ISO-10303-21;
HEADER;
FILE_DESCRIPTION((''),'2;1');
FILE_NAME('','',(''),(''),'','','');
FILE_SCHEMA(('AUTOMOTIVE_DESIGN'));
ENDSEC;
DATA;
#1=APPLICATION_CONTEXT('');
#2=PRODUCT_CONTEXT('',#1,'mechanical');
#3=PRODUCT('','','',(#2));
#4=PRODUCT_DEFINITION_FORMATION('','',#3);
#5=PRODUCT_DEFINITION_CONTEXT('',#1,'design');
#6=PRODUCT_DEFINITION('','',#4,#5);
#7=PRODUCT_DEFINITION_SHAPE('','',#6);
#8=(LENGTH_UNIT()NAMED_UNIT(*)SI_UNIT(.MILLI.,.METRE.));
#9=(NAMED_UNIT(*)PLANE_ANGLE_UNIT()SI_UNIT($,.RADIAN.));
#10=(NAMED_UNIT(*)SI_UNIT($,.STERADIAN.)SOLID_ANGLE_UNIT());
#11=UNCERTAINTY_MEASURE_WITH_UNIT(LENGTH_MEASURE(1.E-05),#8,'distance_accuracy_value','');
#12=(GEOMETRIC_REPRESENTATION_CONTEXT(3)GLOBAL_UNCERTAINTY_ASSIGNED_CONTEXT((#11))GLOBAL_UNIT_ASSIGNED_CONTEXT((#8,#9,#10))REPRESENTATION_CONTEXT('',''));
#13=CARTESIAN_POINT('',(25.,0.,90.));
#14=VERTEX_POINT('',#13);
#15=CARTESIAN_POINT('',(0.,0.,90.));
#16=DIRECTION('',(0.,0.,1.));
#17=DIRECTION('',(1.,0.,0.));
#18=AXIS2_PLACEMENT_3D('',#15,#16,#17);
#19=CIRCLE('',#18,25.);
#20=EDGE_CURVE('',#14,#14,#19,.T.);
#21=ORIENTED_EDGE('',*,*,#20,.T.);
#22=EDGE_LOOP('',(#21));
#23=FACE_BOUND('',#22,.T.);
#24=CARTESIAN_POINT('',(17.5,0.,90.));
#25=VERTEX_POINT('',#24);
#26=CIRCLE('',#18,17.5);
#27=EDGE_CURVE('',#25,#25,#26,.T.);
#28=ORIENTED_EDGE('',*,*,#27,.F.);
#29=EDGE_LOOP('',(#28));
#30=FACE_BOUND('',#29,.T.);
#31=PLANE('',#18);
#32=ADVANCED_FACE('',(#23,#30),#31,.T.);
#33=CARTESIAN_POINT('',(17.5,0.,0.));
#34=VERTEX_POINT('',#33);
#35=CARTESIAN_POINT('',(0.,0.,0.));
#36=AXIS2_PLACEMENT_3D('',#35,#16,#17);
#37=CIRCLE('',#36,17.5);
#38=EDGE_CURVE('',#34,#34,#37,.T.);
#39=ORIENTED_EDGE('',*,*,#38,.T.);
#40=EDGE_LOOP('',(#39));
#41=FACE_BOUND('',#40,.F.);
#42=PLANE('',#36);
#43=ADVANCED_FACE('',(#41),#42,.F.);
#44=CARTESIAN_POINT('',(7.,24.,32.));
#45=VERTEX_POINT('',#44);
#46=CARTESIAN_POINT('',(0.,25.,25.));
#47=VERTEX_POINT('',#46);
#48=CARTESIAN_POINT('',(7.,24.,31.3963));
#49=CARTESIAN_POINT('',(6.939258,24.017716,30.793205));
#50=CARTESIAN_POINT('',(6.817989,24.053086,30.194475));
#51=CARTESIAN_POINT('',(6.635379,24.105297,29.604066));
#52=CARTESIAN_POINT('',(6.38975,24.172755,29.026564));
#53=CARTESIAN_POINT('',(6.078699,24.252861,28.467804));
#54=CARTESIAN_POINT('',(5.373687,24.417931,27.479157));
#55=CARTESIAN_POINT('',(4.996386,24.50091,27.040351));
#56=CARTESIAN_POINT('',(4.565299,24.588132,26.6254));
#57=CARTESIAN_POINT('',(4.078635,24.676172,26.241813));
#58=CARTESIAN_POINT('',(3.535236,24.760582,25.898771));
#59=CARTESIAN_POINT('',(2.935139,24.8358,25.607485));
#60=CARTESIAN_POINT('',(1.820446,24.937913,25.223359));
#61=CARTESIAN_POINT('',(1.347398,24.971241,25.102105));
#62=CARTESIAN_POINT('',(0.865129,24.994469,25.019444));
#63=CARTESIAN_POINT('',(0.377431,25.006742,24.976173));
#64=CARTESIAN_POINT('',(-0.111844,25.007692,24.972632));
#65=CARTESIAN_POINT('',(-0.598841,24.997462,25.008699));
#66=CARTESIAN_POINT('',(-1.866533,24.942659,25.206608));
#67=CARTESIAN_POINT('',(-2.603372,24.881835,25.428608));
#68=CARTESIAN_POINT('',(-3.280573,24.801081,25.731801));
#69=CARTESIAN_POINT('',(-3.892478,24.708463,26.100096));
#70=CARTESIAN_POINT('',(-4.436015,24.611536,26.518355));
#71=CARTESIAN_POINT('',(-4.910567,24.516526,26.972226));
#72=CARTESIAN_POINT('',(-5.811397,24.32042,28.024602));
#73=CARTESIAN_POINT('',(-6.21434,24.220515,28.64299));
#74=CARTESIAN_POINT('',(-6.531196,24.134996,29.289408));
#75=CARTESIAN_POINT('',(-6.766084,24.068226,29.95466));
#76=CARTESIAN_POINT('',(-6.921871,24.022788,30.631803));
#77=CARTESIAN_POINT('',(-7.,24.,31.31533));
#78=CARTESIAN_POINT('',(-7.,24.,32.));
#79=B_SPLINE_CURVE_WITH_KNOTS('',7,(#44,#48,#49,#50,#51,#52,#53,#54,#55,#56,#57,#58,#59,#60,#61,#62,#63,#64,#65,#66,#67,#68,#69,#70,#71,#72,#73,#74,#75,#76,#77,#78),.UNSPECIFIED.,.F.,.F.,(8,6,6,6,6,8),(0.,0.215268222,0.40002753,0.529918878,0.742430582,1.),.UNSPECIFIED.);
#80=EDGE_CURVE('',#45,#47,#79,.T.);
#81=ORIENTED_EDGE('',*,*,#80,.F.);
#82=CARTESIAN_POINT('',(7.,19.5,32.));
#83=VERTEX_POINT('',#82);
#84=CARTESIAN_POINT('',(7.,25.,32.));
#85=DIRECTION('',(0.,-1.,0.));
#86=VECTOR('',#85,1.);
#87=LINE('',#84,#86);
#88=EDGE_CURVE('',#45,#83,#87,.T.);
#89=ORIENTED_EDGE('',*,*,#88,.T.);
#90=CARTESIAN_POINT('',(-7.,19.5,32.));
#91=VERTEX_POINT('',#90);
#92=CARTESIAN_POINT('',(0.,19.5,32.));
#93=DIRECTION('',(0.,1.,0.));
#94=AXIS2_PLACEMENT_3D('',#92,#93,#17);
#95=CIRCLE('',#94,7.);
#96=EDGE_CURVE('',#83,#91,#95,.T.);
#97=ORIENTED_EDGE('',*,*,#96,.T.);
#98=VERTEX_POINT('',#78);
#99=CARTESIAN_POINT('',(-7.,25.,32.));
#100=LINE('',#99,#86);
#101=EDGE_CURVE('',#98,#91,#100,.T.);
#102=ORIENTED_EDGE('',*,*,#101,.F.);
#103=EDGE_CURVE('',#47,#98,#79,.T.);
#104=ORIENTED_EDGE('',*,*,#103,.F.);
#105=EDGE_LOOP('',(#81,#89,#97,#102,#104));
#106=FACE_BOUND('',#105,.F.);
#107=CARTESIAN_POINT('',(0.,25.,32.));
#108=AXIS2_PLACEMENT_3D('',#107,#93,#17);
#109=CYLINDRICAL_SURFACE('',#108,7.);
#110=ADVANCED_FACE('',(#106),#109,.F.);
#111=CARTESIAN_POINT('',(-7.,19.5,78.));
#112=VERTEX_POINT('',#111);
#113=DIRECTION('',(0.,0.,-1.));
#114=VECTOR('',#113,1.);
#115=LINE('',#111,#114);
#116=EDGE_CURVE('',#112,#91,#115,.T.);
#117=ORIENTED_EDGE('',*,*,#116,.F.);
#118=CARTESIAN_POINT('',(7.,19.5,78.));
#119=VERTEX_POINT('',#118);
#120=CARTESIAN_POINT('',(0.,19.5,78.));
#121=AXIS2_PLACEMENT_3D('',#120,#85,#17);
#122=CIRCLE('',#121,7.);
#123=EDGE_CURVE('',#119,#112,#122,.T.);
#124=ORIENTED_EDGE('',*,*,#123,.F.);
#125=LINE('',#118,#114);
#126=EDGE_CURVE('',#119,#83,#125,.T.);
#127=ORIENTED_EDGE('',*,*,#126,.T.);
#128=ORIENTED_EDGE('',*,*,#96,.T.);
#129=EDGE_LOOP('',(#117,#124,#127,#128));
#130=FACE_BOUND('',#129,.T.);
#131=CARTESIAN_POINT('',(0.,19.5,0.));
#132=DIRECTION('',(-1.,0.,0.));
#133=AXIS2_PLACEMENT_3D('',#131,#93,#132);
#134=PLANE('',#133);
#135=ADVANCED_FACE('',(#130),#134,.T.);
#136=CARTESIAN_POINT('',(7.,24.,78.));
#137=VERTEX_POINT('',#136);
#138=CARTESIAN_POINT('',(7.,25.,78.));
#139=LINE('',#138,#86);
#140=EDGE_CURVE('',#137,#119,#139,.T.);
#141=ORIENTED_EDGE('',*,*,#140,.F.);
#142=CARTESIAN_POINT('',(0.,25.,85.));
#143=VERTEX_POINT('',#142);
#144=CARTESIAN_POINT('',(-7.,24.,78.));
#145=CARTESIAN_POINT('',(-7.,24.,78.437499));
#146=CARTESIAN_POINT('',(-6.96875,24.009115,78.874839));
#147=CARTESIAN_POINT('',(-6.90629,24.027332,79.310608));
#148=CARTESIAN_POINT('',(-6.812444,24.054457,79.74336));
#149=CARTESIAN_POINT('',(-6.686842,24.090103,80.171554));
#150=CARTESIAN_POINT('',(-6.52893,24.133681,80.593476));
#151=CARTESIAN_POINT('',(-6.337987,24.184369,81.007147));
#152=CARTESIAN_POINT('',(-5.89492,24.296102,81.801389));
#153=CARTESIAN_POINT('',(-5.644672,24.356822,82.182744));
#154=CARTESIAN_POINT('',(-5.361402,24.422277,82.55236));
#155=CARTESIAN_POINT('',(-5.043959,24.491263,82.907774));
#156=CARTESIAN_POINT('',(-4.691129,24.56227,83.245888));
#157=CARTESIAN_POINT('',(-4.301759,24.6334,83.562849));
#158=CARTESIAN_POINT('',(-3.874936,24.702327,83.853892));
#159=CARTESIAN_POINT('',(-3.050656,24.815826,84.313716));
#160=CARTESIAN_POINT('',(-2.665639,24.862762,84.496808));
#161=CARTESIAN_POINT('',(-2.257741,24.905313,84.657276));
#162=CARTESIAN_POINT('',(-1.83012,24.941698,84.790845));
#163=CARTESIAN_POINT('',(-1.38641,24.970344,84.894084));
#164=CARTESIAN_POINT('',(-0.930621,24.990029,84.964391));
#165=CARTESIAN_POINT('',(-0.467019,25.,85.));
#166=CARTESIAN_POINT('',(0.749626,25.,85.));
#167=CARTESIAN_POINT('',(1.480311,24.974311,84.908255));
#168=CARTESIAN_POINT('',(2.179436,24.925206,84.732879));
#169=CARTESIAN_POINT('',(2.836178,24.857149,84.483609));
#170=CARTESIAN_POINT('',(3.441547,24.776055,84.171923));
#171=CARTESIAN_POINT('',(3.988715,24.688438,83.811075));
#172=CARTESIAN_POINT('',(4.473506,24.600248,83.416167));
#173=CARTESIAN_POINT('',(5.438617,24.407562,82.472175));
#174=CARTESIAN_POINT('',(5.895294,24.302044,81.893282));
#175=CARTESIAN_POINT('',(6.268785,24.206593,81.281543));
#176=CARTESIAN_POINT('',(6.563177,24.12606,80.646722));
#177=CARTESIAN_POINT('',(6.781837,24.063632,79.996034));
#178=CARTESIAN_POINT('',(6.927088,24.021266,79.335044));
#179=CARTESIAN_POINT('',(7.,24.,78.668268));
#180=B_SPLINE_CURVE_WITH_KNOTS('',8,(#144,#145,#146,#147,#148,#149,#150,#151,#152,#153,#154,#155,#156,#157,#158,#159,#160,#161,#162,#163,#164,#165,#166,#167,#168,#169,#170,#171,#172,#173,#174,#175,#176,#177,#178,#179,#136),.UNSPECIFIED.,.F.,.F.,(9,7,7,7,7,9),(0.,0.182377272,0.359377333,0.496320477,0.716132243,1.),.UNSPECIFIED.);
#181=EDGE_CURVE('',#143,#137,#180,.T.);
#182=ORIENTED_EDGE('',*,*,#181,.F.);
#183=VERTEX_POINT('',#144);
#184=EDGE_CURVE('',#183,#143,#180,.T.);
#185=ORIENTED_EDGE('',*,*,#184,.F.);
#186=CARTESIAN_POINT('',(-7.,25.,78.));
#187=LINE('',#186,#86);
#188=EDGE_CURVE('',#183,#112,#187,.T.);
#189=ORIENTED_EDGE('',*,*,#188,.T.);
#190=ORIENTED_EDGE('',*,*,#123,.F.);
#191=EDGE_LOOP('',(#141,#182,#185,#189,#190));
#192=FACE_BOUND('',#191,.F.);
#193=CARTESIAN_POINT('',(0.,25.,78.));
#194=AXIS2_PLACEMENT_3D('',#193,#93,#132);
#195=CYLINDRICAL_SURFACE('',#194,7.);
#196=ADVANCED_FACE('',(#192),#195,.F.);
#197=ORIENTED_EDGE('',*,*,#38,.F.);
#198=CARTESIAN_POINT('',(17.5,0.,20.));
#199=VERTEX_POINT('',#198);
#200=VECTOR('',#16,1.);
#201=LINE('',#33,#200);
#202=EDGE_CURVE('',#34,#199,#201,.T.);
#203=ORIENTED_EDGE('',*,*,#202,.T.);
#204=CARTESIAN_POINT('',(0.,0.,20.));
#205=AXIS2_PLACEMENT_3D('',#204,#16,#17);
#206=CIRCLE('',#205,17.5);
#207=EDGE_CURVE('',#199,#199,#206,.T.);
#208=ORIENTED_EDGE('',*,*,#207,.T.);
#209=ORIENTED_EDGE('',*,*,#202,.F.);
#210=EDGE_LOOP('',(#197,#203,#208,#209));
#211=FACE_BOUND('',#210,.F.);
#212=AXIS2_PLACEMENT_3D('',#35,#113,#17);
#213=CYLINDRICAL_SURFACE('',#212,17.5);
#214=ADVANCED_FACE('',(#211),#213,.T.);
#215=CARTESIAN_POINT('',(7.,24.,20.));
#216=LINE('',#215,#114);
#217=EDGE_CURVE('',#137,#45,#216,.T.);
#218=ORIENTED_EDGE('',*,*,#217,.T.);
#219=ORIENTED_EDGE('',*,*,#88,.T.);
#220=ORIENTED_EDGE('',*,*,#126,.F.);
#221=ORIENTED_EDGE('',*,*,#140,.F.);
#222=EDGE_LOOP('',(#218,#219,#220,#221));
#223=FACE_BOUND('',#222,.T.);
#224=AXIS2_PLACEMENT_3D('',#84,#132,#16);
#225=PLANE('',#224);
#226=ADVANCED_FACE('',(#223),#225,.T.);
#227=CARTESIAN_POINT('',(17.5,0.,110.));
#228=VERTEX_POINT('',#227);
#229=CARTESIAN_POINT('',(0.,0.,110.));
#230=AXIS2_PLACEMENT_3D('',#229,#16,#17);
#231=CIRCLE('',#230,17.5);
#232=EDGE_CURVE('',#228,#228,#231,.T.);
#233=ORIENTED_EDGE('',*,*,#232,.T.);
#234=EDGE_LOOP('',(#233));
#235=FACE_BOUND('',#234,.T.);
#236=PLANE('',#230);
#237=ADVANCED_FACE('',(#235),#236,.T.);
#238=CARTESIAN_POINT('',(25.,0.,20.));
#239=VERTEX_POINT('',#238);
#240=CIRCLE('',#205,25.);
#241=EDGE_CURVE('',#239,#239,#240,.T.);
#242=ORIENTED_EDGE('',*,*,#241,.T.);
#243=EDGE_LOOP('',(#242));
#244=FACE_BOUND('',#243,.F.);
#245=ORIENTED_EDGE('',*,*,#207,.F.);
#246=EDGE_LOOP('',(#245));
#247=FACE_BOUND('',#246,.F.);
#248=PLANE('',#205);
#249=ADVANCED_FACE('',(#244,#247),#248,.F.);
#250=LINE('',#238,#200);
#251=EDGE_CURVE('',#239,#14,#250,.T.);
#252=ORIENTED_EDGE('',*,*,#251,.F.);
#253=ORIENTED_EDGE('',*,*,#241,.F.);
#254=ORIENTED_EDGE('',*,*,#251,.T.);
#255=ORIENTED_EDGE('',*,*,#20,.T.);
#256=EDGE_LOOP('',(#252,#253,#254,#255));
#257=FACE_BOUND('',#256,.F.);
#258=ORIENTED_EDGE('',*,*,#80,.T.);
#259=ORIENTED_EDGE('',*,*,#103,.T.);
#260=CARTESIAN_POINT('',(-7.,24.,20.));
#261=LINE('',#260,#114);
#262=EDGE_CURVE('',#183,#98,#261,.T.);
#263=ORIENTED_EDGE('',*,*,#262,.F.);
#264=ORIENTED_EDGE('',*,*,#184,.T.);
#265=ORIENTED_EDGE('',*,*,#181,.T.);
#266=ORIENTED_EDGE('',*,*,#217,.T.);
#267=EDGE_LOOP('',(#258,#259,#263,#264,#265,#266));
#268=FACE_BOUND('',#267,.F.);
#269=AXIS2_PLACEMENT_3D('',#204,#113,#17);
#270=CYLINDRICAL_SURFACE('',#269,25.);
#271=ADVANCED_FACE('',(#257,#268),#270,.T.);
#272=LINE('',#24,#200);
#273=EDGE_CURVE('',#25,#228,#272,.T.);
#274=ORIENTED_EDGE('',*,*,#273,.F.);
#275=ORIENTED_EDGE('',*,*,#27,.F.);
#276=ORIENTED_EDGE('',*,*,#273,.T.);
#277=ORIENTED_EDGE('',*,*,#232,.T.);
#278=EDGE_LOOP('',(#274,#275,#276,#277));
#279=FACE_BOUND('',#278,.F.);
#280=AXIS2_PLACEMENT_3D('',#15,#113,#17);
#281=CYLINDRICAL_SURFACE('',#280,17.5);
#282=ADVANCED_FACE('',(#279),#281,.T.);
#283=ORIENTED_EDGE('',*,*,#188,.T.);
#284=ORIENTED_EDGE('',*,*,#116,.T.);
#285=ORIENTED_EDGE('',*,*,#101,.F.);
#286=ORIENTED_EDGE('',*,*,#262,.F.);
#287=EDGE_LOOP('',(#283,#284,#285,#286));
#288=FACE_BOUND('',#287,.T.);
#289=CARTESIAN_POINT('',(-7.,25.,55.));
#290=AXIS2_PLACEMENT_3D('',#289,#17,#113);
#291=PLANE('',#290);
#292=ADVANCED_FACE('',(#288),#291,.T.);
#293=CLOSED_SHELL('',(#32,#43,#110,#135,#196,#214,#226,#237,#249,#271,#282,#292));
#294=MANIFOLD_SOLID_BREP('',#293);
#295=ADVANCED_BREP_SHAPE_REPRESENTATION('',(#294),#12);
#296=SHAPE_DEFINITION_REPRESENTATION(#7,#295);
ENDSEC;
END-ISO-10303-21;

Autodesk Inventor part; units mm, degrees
sketch "スケッチ1" plane through (0, 0, 0) normal (0, 0, 1) x (1, 0, 0)
  circle A0 centre (0, 0) radius 17.5
  dimension "d0" = 35
extrude "押し出し1" add sketch "スケッチ1" along normal blind 20
sketch "スケッチ2" plane through (0, 0, 20) normal (0, 0, 1) x (1, 0, 0)
  circle A0 centre (0, 0) radius 25
  dimension "d3" = 50
extrude "押し出し2" add sketch "スケッチ2" along normal blind 70
sketch "スケッチ3" plane through (0, 0, 90) normal (0, 0, 1) x (1, 0, 0)
  circle A0 centre (0, 0) radius 17.5
  dimension "d6" = 35
extrude "押し出し3" add sketch "スケッチ3" along normal blind 20
sketch "スケッチ4" plane through (0, 0, 0) normal (1, 0, 0) x (0, 1, 0)
  point P0 (0, 0)
ref_plane "作業平面2" through (0, 0, 55) normal (0, 0, 1) x (1, 0, 0)
ref_plane "作業平面1" through (0, 0, 110) normal (0, 0, 1) x (1, 0, 0)
ref_plane "作業平面3" through (0, 25, 0) normal (0, 1, 0) x (-1, 0, 0)
sketch "スケッチ8" plane through (0, 25, 0) normal (0, 1, 0) x (-1, 0, 0)
  line L0 (-7, 25) -> (7, 25)
  line L1 (0, 25) -> (0, 32)
  line L2 (0, 25) -> (7, 25) construction
  line L3 (-7, 25) -> (-7, 85)
  arc A0 (-7, 32) -> (7, 32) centre (0, 32) ccw
  line L4 (7, 85) -> (7, 25)
  line L5 (7, 32) -> (7, 25)
  line L6 (7, 25) -> (0, 25)
  line L7 (-7, 25) -> (-7, 32)
  line L8 (0, 25) -> (-7, 25)
  line L9 (7, 85) -> (-7, 85)
  line L10 (7, 55) -> (-7, 55)
  arc A1 (7, 78) -> (-7, 78) centre (0, 78) ccw
  point P0 (0, 0)
  dimension "d17" = 7
  dimension "d18" = 90
  dimension "d21" = 30
extrude "押し出し5" cut sketch "スケッチ8" against normal blind 5.5 contours A0 L3 L10 L4 | L3 A1 L4 L10
properties part number "shaft1"
